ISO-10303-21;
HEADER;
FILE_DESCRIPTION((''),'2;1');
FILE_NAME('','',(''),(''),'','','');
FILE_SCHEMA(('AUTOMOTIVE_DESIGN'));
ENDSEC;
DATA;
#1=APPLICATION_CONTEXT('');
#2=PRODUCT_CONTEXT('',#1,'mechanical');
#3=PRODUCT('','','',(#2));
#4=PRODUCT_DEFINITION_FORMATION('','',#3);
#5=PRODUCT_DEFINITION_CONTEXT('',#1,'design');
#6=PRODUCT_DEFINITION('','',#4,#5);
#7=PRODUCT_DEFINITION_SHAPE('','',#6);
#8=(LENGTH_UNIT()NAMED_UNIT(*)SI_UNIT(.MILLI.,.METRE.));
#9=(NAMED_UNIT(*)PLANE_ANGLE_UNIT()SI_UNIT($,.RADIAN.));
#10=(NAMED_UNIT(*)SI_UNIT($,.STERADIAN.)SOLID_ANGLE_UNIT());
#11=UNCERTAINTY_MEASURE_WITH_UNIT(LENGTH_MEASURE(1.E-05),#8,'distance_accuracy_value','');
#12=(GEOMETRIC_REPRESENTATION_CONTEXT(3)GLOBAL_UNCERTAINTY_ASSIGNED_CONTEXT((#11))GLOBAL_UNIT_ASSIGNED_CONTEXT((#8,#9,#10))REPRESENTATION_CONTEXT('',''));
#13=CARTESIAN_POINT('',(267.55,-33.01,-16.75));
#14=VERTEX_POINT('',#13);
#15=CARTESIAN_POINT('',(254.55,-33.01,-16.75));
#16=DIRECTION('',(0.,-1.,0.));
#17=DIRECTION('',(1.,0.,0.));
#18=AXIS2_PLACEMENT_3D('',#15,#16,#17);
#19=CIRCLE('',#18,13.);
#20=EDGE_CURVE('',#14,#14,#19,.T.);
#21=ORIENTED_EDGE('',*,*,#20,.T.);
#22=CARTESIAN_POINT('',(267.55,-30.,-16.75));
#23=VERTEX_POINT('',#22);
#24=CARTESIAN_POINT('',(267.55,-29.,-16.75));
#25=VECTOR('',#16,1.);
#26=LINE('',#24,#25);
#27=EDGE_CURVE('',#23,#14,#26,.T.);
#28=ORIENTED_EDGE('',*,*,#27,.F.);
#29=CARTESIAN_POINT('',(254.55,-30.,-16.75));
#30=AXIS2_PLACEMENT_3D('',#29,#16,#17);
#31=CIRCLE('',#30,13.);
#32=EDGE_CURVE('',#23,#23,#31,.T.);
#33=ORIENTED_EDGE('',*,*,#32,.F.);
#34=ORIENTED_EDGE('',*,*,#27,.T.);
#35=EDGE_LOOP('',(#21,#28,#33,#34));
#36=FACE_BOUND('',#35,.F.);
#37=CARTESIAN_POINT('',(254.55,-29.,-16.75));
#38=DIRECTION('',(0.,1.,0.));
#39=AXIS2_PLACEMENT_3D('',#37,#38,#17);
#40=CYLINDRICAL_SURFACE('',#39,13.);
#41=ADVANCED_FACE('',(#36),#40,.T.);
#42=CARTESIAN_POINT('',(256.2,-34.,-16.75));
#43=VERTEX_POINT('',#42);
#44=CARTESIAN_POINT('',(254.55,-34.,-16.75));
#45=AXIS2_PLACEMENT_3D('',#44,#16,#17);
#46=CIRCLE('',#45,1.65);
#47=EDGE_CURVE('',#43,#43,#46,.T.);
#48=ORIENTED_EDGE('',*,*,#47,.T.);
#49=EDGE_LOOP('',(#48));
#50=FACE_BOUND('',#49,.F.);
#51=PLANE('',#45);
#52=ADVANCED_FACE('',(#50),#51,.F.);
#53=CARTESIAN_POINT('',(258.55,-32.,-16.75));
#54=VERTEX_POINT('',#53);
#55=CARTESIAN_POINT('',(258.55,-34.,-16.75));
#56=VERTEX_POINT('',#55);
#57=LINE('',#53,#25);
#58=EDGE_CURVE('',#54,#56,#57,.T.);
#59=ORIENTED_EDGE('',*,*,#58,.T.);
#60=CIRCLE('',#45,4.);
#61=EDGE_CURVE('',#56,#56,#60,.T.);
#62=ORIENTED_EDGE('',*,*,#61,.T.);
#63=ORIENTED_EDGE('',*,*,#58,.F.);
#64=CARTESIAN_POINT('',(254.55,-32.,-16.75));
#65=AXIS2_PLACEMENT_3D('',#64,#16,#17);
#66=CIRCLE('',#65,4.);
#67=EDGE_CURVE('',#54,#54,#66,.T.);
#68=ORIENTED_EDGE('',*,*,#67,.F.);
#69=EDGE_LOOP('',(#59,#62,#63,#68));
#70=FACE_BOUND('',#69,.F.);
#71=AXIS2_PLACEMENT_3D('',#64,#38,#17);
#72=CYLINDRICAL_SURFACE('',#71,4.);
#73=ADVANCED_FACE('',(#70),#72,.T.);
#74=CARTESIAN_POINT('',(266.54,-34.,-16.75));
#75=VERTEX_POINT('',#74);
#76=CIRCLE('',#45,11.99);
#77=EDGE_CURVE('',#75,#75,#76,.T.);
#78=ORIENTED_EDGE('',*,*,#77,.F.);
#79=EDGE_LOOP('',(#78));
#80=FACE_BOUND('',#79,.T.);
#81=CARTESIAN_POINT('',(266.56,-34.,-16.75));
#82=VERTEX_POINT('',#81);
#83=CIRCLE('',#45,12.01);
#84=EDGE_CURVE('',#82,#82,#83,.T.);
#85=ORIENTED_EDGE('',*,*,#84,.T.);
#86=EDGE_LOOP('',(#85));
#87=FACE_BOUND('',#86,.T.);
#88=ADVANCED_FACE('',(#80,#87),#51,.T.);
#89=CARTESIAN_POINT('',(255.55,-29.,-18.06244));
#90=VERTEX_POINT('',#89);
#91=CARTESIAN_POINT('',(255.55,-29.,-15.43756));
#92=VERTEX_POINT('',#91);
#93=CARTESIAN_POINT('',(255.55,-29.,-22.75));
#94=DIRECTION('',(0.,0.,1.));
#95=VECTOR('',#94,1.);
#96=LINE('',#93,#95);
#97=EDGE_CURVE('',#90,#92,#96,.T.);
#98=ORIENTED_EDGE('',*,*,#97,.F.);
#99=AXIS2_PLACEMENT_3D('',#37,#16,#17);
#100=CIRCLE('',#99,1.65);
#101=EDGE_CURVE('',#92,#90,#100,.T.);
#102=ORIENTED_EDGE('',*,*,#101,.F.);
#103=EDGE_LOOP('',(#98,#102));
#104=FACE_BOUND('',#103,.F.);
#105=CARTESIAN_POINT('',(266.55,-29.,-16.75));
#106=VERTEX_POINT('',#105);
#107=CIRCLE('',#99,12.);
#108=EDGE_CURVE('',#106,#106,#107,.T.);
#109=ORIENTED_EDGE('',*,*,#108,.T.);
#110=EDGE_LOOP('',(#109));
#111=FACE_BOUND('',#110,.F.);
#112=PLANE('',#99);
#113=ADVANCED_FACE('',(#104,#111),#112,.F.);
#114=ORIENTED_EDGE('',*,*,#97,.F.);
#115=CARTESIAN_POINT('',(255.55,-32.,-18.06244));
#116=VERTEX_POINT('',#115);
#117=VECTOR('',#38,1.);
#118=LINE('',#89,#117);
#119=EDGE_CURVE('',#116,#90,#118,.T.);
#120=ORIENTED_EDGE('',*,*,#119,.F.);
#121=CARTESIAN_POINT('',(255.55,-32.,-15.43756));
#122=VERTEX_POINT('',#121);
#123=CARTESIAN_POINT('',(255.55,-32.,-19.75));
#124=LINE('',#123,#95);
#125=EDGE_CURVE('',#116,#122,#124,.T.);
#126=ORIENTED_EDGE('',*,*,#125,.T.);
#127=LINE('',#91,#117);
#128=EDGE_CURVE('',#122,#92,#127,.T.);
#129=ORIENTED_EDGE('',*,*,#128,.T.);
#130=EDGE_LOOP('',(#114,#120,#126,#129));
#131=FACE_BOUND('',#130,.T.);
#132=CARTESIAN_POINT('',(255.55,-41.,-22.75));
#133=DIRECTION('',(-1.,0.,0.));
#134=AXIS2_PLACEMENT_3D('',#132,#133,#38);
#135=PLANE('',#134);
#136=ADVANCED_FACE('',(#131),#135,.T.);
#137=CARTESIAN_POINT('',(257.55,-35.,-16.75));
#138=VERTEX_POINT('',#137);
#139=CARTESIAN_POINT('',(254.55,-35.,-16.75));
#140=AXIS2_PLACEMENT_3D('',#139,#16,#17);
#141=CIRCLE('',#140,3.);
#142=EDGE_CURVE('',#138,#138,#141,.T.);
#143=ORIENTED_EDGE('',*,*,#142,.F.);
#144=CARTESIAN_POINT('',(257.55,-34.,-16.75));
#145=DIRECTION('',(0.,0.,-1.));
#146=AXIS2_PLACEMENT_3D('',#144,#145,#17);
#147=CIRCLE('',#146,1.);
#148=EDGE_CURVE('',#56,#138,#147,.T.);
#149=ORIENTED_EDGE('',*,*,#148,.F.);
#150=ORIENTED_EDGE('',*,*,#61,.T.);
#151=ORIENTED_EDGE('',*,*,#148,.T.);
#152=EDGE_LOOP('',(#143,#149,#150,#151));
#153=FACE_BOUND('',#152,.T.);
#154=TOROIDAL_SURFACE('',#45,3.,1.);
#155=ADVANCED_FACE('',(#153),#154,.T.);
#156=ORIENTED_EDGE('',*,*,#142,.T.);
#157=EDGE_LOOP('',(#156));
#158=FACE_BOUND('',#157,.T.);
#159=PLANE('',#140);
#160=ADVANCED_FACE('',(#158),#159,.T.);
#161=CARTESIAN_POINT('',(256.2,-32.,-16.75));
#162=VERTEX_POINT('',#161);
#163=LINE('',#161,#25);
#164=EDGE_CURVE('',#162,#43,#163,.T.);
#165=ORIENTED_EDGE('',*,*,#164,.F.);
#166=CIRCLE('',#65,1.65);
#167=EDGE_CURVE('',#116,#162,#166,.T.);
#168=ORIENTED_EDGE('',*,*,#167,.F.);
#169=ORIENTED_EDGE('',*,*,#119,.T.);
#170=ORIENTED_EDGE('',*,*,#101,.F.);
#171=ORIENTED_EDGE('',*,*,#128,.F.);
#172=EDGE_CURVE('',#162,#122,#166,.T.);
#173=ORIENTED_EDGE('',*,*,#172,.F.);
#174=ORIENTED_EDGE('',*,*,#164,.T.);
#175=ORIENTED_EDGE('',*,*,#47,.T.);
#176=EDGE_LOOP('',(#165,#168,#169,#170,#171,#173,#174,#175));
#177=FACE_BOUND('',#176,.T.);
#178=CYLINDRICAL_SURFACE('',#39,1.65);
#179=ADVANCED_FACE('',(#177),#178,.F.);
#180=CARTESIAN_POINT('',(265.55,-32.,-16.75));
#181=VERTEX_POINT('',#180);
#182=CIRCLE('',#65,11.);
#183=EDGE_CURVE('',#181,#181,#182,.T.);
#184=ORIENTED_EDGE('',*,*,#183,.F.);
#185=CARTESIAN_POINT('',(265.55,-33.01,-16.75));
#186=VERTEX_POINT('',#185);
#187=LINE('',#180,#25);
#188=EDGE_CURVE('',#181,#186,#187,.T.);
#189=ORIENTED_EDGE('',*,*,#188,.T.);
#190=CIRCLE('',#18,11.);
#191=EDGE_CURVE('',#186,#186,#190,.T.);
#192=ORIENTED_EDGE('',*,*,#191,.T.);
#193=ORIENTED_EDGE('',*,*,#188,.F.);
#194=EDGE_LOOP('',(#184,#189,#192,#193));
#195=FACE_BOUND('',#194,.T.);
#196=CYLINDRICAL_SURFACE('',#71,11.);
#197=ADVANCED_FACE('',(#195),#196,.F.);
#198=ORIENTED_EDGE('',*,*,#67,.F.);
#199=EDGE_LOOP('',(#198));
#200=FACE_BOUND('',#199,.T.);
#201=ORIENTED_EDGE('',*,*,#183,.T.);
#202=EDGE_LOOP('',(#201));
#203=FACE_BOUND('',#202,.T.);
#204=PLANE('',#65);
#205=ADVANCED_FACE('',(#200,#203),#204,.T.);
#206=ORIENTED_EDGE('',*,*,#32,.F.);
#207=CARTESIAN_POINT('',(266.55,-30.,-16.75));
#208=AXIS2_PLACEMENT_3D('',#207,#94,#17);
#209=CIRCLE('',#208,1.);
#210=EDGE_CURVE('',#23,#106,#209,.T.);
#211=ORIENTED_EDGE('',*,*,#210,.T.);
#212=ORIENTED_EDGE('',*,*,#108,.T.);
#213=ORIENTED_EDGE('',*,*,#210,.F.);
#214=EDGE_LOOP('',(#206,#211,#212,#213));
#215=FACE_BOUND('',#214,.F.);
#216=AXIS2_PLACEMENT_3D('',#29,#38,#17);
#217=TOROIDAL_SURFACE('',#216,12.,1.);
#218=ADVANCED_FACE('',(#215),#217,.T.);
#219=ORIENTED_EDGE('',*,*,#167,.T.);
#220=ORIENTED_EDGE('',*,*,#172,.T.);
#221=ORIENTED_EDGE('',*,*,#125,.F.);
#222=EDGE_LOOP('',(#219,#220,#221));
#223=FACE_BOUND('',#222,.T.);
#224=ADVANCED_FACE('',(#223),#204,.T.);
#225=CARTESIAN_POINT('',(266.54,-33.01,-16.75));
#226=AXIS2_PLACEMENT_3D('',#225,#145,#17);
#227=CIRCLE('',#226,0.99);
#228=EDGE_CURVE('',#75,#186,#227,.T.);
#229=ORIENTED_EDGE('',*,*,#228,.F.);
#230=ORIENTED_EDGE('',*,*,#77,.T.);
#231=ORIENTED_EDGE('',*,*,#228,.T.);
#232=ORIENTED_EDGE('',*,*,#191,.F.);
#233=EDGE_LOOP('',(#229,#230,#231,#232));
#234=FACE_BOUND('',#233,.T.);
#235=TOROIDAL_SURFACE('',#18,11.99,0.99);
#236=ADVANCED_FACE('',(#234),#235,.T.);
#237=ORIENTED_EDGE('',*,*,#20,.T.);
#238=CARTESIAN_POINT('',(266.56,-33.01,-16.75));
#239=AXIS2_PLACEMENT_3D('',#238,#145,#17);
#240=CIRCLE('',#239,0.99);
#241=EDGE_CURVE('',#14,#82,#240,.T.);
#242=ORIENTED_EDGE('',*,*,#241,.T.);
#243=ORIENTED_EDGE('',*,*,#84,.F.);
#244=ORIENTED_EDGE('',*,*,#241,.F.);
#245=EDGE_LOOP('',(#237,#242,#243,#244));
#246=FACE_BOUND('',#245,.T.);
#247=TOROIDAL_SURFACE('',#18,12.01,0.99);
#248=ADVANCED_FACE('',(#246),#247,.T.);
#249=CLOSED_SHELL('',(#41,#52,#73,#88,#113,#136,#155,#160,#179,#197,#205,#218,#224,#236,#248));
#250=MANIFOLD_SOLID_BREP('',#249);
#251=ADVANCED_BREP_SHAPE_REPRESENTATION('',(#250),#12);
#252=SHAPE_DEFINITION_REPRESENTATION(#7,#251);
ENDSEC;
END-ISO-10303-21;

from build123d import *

# Parameters (mm, degrees)
CYLINDER236_R     = 11
CYLINDER236_DEPTH = 2
CYLINDER235_R     = 1.65
CYLINDER235_DEPTH = 5
CYLINDER234_R     = 13
CYLINDER234_DEPTH = 5
BOX161_W          = 10
BOX161_H          = 12
BOX161_DEPTH      = 10
CYLINDER233_R     = 1.65
CYLINDER233_DEPTH = 5
FILLET067_R       = 0.99
FILLET066_R       = 1
CYLINDER232_R     = 1.65
CYLINDER232_DEPTH = 2
CYLINDER231_R     = 4
CYLINDER231_DEPTH = 3
FILLET065_R       = 1


with BuildPart() as cylinder519:
    # Cylinder236 → Cylinder236 (new body)
    with BuildSketch(Plane(origin=(333.25, -23, -34.25), x_dir=(1, 0, 0), z_dir=(0, -1, 0))):
        Circle(CYLINDER236_R)
    extrude(amount=CYLINDER236_DEPTH)


with BuildPart() as cylinder517:
    # Cylinder235 → Cylinder235 (new body)
    with BuildSketch(Plane(origin=(333.25, -20, -34.25), x_dir=(1, 0, 0), z_dir=(0, -1, 0))):
        Circle(CYLINDER235_R)
    extrude(amount=CYLINDER235_DEPTH)


with BuildPart() as cut172:
    # Cylinder234 → Cylinder234 (new body)
    with BuildSketch(Plane(origin=(333.25, -20, -34.25), x_dir=(1, 0, 0), z_dir=(0, -1, 0))):
        Circle(CYLINDER234_R)
    extrude(amount=CYLINDER234_DEPTH)

    # Cut172: cut Cylinder517
    add(cylinder517.part, mode=Mode.SUBTRACT)


with BuildPart() as cube257:
    # Box161 → Box161 (new body)
    with BuildSketch(Plane(origin=(320.25, -4, -55), x_dir=(1, 0, 0), z_dir=(0, 0, 1))):
        with Locations((5, 6)):
            Rectangle(BOX161_W, BOX161_H)
    extrude(amount=BOX161_DEPTH)


with BuildPart() as fillet066:
    # Cylinder233 → Cylinder233 (new body)
    with BuildSketch(Plane(origin=(329.25, 8, -49), x_dir=(1, 0, 0), z_dir=(0, -1, 0))):
        Circle(CYLINDER233_R)
    extrude(amount=CYLINDER233_DEPTH)

    # Cut171: cut Cube257
    add(cube257.part, mode=Mode.SUBTRACT)


with BuildPart() as fillet066_1:
    # Cut171 placement: moved
    add(fillet066.part.moved(Location((4, -28, 14.75))))

    # Fusion199: union Cut172
    add(cut172.part)

    # Cut170: cut Cylinder519
    add(cylinder519.part, mode=Mode.SUBTRACT)

    # Fillet067
    fillet067_edges = [fillet066_1.edges().sort_by_distance(p)[0] for p in [
        (320.25, -25, -34.25),
        (322.25, -25, -34.25),
    ]]
    fillet(fillet067_edges, radius=FILLET067_R)

    # Fillet066
    fillet066_edges = [fillet066_1.edges().sort_by_distance(p)[0] for p in [
        (320.25, -20, -34.25),
    ]]
    fillet(fillet066_edges, radius=FILLET066_R)


with BuildPart() as cylinder520:
    # Cylinder232 → Cylinder232 (new body)
    with BuildSketch(Plane(origin=(333.25, -23, -34.25), x_dir=(1, 0, 0), z_dir=(0, -1, 0))):
        Circle(CYLINDER232_R)
    extrude(amount=CYLINDER232_DEPTH)


with BuildPart() as supports_wheel:
    # Cylinder231 → Cylinder231 (new body)
    with BuildSketch(Plane(origin=(333.25, -23, -34.25), x_dir=(1, 0, 0), z_dir=(0, -1, 0))):
        Circle(CYLINDER231_R)
    extrude(amount=CYLINDER231_DEPTH)

    # Cut169: cut Cylinder520
    add(cylinder520.part, mode=Mode.SUBTRACT)

    # Fillet065
    fillet065_edges = [supports_wheel.edges().sort_by_distance(p)[0] for p in [
        (329.25, -26, -34.25),
    ]]
    fillet(fillet065_edges, radius=FILLET065_R)

    # Fusion198: union Fillet066
    add(fillet066_1.part)


with BuildPart() as supports_wheel_1:
    # Fusion198 placement: moved
    add(supports_wheel.part.moved(Location((-78.7, -9, 17.5))))


solid = supports_wheel_1.part
